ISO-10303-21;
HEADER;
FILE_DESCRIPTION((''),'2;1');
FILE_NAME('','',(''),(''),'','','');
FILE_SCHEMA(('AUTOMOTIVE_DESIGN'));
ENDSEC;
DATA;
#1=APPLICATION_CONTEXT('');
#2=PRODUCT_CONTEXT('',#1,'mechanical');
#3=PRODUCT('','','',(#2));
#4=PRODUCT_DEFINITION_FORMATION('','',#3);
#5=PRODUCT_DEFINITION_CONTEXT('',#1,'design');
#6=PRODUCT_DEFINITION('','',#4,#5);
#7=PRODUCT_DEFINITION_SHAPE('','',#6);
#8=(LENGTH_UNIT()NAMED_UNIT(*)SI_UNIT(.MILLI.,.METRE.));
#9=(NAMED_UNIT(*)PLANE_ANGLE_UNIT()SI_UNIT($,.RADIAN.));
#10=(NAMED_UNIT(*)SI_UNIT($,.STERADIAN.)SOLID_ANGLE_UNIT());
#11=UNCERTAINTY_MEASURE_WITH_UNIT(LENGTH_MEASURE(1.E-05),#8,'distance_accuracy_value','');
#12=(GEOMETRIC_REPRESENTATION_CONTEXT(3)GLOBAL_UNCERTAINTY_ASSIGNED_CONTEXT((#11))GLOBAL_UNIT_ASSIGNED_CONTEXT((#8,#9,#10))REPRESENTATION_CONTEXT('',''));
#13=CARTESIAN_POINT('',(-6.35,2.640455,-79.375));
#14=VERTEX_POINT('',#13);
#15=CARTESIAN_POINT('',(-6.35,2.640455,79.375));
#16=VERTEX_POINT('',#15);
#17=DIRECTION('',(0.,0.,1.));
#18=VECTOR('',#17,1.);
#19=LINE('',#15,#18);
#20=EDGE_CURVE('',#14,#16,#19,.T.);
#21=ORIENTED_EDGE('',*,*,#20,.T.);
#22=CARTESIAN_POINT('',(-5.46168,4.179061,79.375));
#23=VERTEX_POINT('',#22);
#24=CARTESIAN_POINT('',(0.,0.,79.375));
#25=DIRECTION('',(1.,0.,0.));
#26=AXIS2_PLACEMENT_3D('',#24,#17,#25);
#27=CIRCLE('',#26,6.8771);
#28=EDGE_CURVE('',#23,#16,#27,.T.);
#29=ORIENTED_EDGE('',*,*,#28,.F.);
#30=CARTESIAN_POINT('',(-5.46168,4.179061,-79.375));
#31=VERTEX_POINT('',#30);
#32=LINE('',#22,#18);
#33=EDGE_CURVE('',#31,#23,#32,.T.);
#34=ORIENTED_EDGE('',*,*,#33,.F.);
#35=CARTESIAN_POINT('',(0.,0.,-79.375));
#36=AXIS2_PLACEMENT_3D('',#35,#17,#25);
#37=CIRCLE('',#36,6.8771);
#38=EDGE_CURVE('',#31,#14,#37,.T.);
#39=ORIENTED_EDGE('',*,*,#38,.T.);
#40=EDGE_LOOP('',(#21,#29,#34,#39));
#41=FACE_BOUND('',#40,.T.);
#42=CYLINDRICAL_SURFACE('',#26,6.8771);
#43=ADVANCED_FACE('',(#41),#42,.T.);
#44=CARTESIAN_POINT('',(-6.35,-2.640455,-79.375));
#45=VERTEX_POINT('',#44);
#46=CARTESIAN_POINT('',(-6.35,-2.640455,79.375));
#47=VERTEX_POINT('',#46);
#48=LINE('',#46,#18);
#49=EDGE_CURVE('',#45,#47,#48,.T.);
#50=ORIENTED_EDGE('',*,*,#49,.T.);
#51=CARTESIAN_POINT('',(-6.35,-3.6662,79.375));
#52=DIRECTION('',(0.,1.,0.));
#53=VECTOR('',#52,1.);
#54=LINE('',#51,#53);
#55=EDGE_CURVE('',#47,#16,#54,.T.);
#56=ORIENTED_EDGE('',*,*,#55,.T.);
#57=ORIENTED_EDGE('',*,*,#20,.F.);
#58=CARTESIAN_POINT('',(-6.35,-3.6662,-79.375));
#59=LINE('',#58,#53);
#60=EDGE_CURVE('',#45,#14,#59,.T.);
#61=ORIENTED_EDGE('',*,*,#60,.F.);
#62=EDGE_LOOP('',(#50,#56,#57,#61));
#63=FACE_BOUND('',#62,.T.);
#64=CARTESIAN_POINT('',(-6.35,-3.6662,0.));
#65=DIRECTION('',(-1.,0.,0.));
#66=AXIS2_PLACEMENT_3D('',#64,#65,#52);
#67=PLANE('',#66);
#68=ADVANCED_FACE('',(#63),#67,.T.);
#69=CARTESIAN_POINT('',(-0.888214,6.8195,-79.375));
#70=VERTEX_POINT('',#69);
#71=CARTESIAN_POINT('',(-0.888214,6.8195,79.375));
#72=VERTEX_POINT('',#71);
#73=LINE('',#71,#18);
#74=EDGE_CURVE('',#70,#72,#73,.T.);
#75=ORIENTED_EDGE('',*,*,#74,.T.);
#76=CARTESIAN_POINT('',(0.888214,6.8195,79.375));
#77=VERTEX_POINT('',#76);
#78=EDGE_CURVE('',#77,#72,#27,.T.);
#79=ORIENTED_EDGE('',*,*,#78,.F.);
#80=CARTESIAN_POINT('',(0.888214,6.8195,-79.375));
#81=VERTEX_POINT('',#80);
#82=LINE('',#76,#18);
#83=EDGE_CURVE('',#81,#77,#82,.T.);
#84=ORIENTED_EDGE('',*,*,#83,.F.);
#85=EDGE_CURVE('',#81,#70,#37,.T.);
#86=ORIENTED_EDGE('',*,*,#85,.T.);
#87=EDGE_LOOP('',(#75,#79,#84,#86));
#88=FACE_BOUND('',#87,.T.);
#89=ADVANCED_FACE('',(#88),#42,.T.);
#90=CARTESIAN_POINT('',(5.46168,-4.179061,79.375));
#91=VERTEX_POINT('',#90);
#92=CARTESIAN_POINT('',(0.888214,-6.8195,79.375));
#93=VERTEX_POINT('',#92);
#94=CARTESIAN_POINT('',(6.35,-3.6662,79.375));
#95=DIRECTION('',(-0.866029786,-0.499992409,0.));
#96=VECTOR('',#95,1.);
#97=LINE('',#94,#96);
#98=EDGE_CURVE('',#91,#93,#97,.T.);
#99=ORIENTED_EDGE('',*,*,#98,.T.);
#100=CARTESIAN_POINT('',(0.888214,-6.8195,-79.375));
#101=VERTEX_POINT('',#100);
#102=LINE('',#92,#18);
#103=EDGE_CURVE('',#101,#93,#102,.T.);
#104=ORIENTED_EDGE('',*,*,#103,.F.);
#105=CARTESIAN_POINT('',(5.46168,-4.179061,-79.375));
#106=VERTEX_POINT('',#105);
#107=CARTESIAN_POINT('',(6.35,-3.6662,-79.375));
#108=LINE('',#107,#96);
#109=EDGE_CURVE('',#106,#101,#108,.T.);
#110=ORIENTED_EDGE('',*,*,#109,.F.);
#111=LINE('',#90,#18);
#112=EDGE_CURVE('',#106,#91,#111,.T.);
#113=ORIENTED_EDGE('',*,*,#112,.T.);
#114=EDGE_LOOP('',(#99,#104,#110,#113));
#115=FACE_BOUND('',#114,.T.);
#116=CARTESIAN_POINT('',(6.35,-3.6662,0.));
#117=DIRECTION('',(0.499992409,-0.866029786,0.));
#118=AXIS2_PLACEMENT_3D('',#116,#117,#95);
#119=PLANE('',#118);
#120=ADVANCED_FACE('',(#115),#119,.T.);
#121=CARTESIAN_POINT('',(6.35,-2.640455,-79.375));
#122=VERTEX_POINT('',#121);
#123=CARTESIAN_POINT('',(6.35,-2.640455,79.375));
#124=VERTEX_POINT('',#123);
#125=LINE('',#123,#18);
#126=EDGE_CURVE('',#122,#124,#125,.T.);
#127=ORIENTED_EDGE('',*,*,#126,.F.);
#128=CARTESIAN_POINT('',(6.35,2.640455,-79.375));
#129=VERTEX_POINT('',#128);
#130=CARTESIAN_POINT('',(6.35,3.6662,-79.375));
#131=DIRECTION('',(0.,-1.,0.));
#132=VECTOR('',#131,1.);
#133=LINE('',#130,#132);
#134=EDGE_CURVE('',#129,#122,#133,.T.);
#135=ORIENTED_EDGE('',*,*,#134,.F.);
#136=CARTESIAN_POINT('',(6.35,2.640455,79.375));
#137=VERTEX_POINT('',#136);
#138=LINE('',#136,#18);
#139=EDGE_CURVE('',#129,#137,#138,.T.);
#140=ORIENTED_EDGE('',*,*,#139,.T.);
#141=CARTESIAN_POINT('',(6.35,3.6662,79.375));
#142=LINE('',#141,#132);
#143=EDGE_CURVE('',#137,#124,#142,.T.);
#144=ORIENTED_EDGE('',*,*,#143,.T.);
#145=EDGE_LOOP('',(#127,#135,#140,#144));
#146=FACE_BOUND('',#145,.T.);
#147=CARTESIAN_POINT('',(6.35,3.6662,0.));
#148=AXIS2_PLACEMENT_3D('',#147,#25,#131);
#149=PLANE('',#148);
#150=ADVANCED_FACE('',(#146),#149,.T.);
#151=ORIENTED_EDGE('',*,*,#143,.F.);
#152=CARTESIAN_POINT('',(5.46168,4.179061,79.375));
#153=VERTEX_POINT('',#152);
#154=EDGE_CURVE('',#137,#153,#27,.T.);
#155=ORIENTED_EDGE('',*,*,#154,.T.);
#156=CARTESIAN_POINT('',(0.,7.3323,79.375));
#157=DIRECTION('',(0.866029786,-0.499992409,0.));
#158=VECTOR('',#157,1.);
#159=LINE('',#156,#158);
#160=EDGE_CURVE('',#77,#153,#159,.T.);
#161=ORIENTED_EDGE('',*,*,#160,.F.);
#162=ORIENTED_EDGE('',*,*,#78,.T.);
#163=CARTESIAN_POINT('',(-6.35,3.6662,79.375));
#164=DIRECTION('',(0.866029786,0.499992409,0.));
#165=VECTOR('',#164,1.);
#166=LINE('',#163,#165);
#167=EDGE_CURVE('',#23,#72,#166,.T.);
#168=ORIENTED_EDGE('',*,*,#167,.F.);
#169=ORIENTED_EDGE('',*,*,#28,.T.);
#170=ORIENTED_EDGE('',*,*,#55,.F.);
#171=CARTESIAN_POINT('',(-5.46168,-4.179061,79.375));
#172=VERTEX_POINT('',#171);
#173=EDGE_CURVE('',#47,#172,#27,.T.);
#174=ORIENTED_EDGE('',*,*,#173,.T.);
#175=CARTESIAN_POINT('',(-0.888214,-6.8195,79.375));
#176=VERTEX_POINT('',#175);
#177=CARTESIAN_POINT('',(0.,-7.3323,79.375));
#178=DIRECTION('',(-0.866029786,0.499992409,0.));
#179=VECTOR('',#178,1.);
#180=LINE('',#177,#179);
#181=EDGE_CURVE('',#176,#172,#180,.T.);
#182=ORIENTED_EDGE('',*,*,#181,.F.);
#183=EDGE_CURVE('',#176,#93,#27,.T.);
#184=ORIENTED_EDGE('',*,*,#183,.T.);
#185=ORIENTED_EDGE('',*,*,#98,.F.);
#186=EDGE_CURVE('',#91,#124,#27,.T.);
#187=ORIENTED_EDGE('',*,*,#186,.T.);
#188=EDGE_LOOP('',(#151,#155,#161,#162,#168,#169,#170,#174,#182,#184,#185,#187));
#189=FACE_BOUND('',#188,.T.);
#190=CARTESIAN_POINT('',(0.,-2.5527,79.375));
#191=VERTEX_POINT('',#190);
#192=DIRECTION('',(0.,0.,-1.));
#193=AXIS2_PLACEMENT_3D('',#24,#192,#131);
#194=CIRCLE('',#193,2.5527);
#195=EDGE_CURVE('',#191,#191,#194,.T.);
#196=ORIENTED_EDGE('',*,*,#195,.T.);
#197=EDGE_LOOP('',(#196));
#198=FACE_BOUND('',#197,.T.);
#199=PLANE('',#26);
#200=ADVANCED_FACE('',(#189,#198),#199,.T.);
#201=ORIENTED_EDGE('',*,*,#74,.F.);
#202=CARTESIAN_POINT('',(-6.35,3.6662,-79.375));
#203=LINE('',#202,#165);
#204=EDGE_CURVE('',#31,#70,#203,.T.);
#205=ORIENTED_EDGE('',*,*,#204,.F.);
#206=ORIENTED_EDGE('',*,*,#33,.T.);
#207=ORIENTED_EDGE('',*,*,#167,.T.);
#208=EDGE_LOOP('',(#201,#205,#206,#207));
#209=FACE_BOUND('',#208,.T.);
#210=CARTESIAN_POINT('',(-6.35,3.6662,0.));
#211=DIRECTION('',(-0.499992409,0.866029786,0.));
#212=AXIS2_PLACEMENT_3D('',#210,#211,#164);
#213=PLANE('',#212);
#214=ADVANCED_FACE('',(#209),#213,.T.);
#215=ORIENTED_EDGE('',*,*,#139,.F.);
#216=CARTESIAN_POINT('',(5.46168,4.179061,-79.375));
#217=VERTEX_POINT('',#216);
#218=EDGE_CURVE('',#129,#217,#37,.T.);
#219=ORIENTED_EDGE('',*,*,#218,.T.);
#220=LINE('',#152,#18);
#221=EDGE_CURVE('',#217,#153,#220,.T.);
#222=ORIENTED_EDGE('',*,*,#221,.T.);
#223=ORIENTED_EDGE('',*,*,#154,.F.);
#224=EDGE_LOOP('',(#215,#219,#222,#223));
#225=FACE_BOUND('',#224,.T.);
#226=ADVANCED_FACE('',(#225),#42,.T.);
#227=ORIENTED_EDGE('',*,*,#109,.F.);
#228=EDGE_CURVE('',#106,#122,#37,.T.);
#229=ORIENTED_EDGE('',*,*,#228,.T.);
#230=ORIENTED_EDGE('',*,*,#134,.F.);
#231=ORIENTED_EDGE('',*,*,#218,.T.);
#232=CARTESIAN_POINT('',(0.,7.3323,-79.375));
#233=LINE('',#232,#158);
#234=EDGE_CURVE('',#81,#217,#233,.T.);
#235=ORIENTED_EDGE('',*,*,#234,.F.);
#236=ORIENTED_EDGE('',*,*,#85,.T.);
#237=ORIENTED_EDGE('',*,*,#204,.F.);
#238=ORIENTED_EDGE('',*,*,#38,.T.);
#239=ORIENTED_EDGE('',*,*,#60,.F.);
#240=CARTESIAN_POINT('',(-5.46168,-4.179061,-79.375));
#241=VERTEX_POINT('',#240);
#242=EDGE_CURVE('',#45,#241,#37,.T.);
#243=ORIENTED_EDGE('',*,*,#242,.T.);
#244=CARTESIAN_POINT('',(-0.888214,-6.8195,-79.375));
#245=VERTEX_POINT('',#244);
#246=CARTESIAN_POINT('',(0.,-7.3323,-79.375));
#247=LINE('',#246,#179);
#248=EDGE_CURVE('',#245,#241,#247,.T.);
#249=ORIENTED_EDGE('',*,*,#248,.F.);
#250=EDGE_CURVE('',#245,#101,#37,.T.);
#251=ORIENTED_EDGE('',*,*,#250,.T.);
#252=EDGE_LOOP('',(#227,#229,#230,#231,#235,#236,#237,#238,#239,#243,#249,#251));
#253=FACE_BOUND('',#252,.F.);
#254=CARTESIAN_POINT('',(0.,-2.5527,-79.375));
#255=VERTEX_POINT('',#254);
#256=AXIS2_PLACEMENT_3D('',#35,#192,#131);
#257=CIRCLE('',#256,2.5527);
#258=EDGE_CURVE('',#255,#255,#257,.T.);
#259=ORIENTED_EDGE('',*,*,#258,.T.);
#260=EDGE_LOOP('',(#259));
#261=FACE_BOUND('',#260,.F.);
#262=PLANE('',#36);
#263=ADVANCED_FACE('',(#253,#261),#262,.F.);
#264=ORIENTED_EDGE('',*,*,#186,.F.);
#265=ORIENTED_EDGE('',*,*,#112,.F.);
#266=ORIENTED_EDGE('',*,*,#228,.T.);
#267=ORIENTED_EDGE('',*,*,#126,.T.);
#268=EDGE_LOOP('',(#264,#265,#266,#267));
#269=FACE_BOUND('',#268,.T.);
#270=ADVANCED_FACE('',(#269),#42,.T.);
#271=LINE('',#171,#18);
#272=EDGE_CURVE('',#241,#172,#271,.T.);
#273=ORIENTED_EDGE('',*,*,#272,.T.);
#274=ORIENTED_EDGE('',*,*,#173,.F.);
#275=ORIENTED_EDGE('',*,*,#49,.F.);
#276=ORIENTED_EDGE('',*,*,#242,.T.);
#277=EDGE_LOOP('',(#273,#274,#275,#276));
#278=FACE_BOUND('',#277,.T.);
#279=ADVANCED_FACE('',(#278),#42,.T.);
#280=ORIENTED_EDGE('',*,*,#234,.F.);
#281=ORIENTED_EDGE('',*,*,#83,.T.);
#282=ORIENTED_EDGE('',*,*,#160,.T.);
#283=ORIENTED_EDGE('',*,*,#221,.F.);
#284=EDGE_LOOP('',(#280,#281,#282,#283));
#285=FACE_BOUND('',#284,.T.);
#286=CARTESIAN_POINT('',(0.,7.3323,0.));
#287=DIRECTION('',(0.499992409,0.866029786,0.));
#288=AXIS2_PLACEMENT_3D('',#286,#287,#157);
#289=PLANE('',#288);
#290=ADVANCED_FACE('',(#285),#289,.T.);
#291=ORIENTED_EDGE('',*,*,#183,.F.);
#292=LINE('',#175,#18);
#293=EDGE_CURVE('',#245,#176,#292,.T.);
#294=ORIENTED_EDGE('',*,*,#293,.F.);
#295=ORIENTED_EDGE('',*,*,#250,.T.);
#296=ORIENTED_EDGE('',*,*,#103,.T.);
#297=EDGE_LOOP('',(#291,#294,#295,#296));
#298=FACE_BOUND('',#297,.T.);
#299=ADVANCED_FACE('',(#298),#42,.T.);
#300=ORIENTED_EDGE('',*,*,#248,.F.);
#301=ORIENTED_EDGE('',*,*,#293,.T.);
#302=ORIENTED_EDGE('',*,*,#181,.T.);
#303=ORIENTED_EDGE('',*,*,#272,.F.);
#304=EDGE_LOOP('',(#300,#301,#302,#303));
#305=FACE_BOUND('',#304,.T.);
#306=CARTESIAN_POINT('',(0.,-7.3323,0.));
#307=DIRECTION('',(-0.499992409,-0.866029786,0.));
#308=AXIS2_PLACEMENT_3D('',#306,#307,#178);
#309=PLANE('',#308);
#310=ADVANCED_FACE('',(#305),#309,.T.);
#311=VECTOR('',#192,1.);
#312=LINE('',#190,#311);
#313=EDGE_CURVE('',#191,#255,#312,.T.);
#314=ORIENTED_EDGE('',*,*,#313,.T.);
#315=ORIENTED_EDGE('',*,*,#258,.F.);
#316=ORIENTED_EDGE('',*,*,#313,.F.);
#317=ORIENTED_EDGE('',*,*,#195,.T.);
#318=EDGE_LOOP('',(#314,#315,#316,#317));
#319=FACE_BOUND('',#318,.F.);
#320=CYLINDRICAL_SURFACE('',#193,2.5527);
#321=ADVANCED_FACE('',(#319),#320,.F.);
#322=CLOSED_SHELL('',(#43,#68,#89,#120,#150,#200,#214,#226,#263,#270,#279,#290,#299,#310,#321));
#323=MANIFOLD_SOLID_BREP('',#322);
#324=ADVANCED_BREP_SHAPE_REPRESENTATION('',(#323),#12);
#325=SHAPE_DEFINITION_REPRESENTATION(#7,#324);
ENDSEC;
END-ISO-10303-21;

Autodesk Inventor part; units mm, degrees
ref_plane "YZ Plane" through (0, 0, 0) normal (1, 0, 0) x (0, 1, 0)
ref_plane "XZ Plane" through (0, 0, 0) normal (0, 1, 0) x (-1, 0, 0)
ref_plane "XY Plane" through (0, 0, 0) normal (0, 0, 1) x (1, 0, 0)
sketch "Sketch1" plane through (0, 0, 0) normal (0, 0, 1) x (1, 0, 0)
  line L0 (-6.35, -3.6662) -> (-6.35, 3.6662)
  line L1 (-6.35, 3.6662) -> (0, 7.3323)
  line L2 (0, 7.3323) -> (6.35, 3.6662)
  line L3 (6.35, 3.6662) -> (6.35, -3.6662)
  line L4 (6.35, -3.6662) -> (0, -7.3323)
  line L5 (0, -7.3323) -> (-6.35, -3.6662)
  point P0 (0, 0)
  point P1 (0, 0)
  dimension "Size" = 12.7
extrude "Extrusion1" add sketch "Sketch1" along normal mid plane 158.75
sketch "Sketch3" plane through (0, 0, 79.375) normal (0, 0, 1) x (1, 0, 0)
  line L0 (-6.35, 3.6662) -> (0, 7.3323) construction
  line L1 (0, 7.3323) -> (6.35, 3.6662) construction
  line L2 (6.35, 3.6662) -> (6.35, -3.6662) construction
  line L3 (6.35, -3.6662) -> (0, -7.3323) construction
  line L4 (0, -7.3323) -> (-6.35, -3.6662) construction
  line L5 (-6.35, -3.6662) -> (-6.35, 3.6662) construction
  point P0 (0, 0)
hole "Hole1" at (0, 0, 79.375) direction (0, 0, -1) diameter 5.1054 end through all
sketch "Sketch4" plane through (0, 0, 79.375) normal (0, 0, 1) x (1, 0, 0)
  circle A0 centre (0, 0) radius 2.5527 construction
  line L0 (-6.35, 3.6662) -> (0, 7.3323) construction
  line L1 (0, 7.3323) -> (6.35, 3.6662) construction
  line L2 (6.35, 3.6662) -> (6.35, -3.6662) construction
  line L3 (6.35, -3.6662) -> (0, -7.3323) construction
  line L4 (0, -7.3323) -> (-6.35, -3.6662) construction
  line L5 (-6.35, -3.6662) -> (-6.35, 3.6662) construction
  circle A1 centre (0, 0) radius 6.8771
  circle A2 centre (0, 0) radius 8.89
  dimension "thunder" = 13.7541
  dimension "d16" = 17.78
extrude "Extrusion3" cut sketch "Sketch4" against normal through all
equation "\"bearing\" = 25.4"
properties part number "GP5-010" material "Aluminum 6061"
